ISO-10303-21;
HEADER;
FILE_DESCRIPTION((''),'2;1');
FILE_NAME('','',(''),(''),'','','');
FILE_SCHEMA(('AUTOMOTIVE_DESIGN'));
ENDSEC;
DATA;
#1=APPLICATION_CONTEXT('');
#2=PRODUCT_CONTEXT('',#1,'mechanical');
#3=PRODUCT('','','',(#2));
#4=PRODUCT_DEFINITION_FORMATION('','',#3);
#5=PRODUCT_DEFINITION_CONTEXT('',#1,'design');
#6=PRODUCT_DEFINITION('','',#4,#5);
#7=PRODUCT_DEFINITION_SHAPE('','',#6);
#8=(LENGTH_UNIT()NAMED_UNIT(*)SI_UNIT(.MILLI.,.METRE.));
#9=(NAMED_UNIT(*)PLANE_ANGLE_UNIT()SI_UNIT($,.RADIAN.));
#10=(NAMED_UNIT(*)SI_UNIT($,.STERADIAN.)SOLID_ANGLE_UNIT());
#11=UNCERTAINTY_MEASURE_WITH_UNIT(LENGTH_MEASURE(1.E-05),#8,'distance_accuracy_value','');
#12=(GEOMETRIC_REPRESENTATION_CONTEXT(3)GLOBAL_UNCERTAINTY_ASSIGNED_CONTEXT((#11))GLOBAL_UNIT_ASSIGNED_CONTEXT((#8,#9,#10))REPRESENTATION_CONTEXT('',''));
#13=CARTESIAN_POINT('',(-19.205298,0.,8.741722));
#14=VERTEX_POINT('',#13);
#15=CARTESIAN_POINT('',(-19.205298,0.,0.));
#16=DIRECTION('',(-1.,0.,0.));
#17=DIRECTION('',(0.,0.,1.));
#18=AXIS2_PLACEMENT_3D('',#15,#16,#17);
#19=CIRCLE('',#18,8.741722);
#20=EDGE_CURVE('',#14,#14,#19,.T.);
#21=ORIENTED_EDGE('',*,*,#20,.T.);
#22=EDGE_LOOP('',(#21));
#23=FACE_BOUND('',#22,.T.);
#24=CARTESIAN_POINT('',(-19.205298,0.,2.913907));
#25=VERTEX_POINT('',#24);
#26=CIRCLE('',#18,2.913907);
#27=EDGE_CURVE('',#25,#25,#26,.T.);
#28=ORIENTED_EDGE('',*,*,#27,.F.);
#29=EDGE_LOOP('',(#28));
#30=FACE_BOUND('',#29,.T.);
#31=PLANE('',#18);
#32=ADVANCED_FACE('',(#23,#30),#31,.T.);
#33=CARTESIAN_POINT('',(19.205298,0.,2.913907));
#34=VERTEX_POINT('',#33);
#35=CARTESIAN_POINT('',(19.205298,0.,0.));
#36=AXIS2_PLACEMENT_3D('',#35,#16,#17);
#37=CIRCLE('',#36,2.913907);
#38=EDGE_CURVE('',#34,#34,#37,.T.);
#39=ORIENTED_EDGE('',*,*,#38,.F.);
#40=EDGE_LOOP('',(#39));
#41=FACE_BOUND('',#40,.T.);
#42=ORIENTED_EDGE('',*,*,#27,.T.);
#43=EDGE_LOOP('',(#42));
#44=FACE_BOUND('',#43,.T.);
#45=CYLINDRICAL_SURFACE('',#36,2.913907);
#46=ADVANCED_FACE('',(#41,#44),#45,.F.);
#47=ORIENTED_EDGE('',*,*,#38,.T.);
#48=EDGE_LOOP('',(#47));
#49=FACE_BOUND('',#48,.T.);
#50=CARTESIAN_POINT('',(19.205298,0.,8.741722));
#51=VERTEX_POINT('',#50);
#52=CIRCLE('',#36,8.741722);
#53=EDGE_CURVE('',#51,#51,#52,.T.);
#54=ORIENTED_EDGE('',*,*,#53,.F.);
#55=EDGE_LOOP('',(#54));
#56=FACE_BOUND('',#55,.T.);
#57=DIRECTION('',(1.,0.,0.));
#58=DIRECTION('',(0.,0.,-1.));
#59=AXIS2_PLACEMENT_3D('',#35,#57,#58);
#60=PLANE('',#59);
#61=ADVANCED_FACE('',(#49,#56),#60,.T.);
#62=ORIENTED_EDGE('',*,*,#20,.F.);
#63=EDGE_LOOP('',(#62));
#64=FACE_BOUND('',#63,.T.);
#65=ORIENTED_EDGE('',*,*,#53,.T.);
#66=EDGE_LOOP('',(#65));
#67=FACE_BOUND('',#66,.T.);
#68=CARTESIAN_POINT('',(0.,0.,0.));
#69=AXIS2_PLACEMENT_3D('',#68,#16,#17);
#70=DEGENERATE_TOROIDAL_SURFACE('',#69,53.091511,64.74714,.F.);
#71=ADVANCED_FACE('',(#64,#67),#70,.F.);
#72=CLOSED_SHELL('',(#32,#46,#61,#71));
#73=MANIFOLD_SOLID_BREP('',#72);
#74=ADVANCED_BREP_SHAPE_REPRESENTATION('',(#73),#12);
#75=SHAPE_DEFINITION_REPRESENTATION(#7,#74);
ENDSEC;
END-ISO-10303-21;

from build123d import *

# Parameters (mm, degrees)
SKETCH2_R          = 2.913907285
CUT_EXTRUDE1_DEPTH = 39.410596126


with BuildPart() as part:
    # Sketch1 → Revolve1 (revolve)
    with BuildSketch(Plane(origin=(0, 0, 0), x_dir=(1, 0, 0), z_dir=(0, 1, 0))):
        with BuildLine():
            Line((-19.205298013, 0), (19.205298013, 0))
            Line((19.205298013, 0), (19.205298013, -8.741721854))
            ThreePointArc((19.205298013, -8.741721854), (0, -11.65562914), (-19.205298013, -8.741721854))
            Line((-19.205298013, -8.741721854), (-19.205298013, 0))
        make_face()
    revolve(axis=Axis((-19.205298013, 0, 0), (1, 0, 0)))

    # Sketch2 → Cut-Extrude1 (cut, through all)
    with BuildSketch(Plane.ZY.offset(19.205298013)):
        Circle(SKETCH2_R)
    extrude(amount=-CUT_EXTRUDE1_DEPTH, mode=Mode.SUBTRACT)


solid = part.part
